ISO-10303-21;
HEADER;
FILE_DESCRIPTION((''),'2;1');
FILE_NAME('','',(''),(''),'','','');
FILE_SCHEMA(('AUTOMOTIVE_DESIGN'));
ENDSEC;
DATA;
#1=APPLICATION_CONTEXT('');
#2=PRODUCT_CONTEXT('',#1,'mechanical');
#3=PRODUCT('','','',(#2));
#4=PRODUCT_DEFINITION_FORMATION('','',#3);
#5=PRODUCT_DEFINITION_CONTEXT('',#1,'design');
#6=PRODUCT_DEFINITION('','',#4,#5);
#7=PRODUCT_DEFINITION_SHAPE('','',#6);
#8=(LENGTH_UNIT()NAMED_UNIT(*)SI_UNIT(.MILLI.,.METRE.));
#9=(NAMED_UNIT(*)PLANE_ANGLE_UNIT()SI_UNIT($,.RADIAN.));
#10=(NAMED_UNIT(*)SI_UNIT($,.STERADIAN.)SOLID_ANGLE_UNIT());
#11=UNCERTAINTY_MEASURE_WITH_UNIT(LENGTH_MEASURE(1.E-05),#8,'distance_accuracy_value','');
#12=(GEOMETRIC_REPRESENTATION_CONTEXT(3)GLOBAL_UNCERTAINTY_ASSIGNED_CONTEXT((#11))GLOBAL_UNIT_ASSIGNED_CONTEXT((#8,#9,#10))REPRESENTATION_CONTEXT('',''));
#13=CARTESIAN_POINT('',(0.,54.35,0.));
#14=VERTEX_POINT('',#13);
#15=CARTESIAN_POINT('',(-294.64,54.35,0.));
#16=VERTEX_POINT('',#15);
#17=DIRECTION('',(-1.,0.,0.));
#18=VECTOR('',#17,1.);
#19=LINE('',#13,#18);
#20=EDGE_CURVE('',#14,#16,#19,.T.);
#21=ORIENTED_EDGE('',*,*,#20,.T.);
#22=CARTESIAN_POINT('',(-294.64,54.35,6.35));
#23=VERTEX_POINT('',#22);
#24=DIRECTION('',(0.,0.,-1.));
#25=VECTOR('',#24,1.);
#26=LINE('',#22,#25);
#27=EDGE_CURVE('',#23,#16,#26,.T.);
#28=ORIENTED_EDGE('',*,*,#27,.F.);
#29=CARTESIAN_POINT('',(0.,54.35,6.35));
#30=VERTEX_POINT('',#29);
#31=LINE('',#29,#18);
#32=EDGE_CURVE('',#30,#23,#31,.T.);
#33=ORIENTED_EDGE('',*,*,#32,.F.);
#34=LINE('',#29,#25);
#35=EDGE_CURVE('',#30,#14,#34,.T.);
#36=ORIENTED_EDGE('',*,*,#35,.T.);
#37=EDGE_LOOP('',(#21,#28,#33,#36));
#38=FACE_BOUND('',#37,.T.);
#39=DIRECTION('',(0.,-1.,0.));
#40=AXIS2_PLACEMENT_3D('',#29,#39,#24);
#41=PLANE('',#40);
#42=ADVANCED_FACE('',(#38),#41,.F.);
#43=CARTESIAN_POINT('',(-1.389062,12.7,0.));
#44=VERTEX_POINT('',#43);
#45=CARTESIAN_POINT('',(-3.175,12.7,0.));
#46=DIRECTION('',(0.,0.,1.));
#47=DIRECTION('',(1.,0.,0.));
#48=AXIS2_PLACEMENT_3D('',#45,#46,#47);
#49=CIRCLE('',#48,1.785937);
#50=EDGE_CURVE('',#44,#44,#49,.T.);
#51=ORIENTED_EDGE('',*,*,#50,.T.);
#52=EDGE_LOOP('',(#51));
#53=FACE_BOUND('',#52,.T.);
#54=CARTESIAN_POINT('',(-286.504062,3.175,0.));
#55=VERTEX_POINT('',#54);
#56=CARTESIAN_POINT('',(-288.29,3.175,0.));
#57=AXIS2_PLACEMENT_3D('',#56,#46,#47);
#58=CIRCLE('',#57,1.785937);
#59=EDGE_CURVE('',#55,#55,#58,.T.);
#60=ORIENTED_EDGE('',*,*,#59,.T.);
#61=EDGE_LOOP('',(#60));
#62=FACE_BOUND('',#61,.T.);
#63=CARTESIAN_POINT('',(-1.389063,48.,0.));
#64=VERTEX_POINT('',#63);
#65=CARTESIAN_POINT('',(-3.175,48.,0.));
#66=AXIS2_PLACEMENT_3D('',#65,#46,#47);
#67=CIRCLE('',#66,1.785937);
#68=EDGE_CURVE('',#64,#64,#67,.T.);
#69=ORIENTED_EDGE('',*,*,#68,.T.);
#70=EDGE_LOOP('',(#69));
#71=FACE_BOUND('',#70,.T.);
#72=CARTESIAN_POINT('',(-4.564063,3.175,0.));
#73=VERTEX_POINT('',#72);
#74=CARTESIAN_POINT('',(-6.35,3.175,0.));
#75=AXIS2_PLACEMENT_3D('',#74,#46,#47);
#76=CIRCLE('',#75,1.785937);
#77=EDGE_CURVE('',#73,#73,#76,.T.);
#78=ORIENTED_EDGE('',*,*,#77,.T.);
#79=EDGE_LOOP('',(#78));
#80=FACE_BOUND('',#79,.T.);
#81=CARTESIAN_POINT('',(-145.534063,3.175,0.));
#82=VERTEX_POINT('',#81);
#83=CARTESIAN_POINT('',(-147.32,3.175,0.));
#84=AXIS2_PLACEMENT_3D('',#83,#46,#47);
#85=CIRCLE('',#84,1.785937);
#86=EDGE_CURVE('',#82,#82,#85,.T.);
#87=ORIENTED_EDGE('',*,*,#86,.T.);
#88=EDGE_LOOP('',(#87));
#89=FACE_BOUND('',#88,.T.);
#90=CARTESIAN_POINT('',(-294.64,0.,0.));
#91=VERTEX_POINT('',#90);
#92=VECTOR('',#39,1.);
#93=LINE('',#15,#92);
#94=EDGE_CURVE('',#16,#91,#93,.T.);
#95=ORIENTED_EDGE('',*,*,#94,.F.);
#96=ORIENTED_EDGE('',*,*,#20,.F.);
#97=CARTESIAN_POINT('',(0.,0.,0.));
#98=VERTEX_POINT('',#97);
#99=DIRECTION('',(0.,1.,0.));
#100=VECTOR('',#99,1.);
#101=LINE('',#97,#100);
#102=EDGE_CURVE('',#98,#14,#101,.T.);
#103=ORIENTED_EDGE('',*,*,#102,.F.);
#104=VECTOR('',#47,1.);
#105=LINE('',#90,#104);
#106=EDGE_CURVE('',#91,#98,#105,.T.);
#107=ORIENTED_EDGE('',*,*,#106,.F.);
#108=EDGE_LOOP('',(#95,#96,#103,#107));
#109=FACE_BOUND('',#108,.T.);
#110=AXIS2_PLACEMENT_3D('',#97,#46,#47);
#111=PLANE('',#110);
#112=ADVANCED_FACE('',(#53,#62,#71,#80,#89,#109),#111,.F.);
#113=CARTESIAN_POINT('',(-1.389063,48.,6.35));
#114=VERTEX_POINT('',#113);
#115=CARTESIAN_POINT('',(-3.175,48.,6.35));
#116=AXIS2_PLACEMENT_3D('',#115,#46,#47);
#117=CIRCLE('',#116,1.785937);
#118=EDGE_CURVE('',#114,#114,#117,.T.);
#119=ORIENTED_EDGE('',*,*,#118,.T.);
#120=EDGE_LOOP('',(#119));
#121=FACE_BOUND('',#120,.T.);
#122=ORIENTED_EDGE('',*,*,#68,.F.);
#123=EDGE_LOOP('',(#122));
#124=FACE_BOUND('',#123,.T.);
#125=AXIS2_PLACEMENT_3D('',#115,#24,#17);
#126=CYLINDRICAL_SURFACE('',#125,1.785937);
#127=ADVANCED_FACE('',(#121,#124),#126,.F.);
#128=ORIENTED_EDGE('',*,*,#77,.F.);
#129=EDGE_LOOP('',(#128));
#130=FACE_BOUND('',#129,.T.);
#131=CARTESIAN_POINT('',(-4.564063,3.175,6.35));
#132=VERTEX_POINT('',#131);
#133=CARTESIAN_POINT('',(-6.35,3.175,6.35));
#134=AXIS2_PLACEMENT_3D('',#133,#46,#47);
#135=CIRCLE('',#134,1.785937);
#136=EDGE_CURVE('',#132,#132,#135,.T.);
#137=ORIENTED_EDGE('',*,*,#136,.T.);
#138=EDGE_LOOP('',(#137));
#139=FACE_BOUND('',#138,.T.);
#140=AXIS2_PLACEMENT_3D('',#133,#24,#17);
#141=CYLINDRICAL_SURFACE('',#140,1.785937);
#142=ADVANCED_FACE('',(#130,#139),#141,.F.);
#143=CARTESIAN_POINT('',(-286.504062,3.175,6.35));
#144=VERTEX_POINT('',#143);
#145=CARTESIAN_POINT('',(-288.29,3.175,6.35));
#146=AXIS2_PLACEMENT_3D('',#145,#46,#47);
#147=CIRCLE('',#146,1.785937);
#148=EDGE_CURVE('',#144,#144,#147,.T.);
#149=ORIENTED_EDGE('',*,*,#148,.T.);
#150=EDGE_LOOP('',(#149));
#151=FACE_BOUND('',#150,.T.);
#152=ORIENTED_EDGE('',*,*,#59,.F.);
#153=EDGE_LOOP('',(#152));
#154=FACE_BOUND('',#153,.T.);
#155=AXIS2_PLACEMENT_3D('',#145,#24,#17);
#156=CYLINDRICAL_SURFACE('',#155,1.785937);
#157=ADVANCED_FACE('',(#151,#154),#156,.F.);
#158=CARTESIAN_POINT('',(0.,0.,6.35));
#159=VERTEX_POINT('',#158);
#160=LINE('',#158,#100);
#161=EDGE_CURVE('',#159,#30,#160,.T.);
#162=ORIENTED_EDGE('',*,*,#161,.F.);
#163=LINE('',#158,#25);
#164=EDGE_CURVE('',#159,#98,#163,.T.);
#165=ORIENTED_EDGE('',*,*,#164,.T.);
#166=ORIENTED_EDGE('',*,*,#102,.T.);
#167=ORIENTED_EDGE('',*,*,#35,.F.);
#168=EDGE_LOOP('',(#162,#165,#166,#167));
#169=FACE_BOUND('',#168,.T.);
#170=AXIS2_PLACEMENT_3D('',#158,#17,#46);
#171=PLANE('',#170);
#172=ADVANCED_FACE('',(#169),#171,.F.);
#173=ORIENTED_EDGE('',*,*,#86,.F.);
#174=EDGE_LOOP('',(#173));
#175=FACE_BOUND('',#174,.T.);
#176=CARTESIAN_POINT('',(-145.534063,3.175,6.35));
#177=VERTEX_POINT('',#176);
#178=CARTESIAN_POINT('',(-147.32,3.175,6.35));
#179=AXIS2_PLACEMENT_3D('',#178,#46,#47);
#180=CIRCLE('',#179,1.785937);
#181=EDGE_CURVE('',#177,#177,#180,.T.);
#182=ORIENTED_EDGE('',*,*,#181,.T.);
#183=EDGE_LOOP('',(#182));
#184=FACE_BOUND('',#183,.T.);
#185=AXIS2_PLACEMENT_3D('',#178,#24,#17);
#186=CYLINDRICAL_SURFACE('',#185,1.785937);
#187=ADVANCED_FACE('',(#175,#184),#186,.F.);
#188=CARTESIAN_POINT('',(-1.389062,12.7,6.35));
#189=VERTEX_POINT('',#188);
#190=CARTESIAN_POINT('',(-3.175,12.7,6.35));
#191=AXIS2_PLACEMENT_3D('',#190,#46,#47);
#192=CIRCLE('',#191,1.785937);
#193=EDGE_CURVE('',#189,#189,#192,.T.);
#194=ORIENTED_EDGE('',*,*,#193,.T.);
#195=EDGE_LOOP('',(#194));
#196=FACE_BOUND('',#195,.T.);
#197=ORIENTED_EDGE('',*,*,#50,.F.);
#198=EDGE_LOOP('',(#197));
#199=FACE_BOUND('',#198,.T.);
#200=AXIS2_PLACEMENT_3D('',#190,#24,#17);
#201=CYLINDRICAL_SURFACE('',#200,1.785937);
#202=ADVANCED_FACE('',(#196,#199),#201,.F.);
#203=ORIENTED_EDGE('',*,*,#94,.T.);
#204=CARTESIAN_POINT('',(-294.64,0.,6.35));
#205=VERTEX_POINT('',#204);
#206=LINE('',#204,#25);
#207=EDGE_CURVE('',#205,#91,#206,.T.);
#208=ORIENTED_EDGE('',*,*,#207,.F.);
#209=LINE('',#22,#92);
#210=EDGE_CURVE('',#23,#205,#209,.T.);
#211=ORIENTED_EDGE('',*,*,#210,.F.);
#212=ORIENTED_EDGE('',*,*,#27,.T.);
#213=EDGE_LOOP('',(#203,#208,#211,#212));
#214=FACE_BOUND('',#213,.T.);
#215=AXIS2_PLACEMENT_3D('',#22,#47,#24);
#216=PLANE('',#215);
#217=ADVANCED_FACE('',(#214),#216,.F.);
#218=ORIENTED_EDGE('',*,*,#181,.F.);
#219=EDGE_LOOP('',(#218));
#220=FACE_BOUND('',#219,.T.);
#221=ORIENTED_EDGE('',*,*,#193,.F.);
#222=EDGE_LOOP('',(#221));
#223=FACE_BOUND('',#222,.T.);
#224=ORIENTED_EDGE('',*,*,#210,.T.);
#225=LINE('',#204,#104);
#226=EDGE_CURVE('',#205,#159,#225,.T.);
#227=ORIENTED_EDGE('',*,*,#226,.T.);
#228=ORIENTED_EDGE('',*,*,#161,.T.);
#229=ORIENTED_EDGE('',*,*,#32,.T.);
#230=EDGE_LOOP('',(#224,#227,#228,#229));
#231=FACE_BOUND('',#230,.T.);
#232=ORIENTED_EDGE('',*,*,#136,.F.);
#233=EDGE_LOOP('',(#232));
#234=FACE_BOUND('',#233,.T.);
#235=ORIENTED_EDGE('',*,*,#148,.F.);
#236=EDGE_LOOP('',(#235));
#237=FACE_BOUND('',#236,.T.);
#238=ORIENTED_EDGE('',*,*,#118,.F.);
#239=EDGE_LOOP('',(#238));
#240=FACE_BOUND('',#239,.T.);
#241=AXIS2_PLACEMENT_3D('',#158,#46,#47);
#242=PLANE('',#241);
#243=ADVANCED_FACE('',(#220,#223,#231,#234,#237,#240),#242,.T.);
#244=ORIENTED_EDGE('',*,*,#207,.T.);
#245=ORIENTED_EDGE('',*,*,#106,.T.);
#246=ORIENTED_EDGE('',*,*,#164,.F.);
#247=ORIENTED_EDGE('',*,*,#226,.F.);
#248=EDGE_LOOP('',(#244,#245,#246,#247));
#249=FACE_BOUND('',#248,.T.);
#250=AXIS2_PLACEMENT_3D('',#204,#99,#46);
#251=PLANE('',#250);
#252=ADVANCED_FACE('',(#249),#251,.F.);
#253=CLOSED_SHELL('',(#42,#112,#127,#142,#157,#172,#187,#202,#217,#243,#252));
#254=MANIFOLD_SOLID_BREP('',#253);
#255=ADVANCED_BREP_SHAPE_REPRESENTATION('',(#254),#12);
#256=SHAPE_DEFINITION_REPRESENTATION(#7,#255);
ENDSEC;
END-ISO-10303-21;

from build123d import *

# Parameters (mm, degrees)
SKETCH1_W           = 294.64
SKETCH1_H           = 54.35
SKETCH1_R           = 1.7859375
BOSS_EXTRUDE1_DEPTH = 6.35


with BuildPart() as part:
    # Sketch1 → Boss-Extrude1 (new body)
    with BuildSketch(Plane.XY):
        with Locations((-147.32, 27.175)):
            Rectangle(SKETCH1_W, SKETCH1_H)
        with Locations((-3.175, 48)):
            Circle(SKETCH1_R, mode=Mode.SUBTRACT)
        with Locations((-3.175, 12.7)):
            Circle(SKETCH1_R, mode=Mode.SUBTRACT)
        with Locations((-6.35, 3.175)):
            Circle(SKETCH1_R, mode=Mode.SUBTRACT)
        with Locations((-147.32, 3.175)):
            Circle(SKETCH1_R, mode=Mode.SUBTRACT)
        with Locations((-288.29, 3.175)):
            Circle(SKETCH1_R, mode=Mode.SUBTRACT)
    extrude(amount=BOSS_EXTRUDE1_DEPTH)


solid = part.part
